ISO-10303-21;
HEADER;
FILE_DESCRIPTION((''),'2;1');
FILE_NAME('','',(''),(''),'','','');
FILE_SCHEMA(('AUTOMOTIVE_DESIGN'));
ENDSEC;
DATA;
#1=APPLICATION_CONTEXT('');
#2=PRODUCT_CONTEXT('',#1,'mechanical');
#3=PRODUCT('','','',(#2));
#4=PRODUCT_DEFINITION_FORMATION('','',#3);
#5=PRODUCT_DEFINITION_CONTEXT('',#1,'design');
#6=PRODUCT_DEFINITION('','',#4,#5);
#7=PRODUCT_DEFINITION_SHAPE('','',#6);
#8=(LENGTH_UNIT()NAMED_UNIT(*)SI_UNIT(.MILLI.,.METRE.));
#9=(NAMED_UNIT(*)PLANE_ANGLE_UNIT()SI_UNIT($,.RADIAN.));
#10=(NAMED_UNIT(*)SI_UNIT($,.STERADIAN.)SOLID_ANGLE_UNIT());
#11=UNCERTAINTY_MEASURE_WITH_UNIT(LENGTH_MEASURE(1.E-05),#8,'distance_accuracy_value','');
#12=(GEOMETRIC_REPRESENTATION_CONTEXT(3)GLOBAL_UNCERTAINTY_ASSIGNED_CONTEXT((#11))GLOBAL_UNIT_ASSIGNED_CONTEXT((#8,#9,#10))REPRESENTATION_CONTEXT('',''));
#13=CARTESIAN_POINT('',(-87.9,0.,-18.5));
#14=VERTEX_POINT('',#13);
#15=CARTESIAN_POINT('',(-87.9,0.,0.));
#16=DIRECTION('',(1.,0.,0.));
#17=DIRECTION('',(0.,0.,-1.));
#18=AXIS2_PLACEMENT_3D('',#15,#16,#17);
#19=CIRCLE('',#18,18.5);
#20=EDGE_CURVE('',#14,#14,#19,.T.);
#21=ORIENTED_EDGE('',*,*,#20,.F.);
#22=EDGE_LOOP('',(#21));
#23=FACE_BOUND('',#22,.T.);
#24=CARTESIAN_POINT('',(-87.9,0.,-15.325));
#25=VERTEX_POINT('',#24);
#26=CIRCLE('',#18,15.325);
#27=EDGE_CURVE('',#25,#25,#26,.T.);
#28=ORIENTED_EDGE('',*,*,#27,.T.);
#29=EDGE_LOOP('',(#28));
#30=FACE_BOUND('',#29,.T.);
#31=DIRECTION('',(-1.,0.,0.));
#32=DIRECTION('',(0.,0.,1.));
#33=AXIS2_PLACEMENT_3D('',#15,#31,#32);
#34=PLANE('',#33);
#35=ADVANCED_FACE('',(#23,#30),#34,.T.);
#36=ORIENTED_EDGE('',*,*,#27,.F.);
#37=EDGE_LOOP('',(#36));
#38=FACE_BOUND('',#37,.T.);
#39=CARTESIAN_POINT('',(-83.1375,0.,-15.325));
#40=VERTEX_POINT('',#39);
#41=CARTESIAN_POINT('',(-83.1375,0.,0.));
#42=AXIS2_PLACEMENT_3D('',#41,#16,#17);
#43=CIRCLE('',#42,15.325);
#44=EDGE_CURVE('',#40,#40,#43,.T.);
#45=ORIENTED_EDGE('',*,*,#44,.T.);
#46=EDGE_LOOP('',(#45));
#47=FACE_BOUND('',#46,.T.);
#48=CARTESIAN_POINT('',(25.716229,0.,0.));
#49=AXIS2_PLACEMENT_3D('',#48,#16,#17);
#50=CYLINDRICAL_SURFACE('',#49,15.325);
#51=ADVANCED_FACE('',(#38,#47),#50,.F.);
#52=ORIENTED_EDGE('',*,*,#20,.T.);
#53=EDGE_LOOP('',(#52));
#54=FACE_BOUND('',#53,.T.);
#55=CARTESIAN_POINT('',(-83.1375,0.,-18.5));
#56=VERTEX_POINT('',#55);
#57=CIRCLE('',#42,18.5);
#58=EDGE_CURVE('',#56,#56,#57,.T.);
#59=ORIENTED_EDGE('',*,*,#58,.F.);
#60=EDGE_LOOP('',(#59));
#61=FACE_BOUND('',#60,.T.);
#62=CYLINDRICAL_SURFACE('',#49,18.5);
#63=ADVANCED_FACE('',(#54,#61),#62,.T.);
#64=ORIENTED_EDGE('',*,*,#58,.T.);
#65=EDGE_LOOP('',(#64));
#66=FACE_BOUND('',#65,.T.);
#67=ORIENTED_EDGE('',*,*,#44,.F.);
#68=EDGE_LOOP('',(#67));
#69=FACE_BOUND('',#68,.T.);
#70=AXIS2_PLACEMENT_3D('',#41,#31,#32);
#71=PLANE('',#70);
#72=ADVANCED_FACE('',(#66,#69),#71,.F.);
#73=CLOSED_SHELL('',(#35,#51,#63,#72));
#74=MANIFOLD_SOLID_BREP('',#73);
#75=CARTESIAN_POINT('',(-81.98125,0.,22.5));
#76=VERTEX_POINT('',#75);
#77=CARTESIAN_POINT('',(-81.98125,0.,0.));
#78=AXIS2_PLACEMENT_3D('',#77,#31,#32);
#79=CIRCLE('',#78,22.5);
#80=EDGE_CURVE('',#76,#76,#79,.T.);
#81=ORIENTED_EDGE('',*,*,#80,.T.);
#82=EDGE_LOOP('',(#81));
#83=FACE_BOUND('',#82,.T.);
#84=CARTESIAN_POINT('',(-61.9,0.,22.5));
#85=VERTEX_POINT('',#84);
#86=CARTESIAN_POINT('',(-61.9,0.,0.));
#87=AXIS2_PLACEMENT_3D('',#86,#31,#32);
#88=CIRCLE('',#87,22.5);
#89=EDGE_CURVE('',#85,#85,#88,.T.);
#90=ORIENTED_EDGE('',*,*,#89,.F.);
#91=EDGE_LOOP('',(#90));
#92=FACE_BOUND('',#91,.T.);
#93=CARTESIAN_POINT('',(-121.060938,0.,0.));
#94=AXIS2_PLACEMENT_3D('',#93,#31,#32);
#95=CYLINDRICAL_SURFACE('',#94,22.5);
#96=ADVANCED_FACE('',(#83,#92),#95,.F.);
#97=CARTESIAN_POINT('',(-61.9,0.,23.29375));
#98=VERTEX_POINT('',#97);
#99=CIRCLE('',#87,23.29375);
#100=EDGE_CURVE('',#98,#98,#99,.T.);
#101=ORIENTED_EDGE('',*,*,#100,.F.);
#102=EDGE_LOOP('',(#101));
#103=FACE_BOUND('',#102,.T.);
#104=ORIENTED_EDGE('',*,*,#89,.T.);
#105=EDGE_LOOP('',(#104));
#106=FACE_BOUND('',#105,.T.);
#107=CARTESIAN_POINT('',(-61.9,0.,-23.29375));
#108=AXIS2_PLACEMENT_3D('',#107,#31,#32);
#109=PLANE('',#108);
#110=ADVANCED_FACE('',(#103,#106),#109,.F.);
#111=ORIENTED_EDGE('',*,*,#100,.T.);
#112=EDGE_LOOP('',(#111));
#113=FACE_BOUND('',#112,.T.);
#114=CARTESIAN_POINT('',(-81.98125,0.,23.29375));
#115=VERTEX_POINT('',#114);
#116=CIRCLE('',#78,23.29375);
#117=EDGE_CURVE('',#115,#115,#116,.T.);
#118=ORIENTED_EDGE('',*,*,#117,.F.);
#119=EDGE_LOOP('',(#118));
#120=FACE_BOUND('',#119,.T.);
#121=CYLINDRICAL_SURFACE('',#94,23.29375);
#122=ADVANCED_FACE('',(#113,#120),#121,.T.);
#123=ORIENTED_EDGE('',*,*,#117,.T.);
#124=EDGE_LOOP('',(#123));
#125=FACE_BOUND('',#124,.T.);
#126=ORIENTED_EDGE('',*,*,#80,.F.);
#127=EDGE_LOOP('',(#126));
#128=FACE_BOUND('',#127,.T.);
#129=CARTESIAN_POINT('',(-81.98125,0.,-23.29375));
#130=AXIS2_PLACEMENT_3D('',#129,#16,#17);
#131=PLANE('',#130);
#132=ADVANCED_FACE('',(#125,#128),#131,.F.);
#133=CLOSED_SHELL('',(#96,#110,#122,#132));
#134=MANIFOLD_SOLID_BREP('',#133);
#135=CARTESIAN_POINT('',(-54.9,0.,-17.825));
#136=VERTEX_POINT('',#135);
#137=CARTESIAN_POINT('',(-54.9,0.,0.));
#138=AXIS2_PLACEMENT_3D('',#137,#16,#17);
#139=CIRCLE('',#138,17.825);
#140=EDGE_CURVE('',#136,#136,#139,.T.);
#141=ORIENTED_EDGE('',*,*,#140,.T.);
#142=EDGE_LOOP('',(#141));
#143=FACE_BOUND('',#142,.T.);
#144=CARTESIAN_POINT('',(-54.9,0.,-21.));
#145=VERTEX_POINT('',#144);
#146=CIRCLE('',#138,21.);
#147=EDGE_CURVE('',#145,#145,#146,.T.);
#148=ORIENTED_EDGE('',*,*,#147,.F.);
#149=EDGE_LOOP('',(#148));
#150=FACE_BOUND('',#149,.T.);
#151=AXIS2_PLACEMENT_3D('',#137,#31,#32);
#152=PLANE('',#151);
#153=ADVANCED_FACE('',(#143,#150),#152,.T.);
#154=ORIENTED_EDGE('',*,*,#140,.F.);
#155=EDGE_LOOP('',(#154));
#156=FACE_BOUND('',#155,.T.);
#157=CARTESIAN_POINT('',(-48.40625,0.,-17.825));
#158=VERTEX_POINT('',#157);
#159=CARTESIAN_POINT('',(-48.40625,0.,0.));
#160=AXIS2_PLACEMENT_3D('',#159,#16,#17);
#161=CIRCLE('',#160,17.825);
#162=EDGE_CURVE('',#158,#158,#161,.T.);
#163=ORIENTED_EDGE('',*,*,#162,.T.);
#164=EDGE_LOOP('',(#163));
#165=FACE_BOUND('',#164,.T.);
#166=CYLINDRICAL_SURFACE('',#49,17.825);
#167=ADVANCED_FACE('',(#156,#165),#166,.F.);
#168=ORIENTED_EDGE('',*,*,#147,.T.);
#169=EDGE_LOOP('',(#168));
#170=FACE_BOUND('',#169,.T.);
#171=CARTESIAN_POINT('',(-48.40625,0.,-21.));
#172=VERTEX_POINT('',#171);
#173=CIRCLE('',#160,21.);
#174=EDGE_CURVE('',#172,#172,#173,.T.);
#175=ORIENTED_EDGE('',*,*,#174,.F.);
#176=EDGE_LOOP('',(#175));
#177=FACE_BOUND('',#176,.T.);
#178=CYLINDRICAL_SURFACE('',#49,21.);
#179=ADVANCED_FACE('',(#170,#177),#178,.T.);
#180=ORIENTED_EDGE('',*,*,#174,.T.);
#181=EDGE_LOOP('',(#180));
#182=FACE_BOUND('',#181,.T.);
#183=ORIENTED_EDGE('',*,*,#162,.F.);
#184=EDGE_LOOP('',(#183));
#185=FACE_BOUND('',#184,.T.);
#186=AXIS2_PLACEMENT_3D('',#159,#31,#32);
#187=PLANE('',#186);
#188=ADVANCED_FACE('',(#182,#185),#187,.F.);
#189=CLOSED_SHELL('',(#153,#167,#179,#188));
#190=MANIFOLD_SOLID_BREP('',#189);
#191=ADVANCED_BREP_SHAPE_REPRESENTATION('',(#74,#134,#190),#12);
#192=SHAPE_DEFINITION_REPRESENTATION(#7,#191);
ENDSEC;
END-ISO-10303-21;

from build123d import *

# Parameters (mm, degrees)
SKETCH1_W   = 6.49375
SKETCH1_H   = 3.175
SKETCH1_W_2 = 4.7625
SKETCH2_W   = 20.081249954
SKETCH2_H   = 0.79375


with BuildPart() as part:
    # Sketch1 → Revolve1 (revolve)
    with BuildSketch(Plane.XY):
        with Locations((-51.65312504, 19.412500037)):
            Rectangle(SKETCH1_W, SKETCH1_H)
        with Locations((-85.51875008, 16.912499957)):
            Rectangle(SKETCH1_W_2, SKETCH1_H)
    revolve(axis=Axis((25.71622857, 0, 0), (-1, 0, 0)))


with BuildPart() as body_2:
    # Sketch2 → Revolve2 (revolve)
    with BuildSketch(Plane(origin=(0, 0, 0), x_dir=(1, 0, 0), z_dir=(0, 1, 0))):
        with Locations((-71.940625017, 22.896875)):
            Rectangle(SKETCH2_W, SKETCH2_H)
    revolve(axis=Axis((-121.060937532, 0, 0), (1, 0, 0)))


solid = Compound([part.part, body_2.part])
